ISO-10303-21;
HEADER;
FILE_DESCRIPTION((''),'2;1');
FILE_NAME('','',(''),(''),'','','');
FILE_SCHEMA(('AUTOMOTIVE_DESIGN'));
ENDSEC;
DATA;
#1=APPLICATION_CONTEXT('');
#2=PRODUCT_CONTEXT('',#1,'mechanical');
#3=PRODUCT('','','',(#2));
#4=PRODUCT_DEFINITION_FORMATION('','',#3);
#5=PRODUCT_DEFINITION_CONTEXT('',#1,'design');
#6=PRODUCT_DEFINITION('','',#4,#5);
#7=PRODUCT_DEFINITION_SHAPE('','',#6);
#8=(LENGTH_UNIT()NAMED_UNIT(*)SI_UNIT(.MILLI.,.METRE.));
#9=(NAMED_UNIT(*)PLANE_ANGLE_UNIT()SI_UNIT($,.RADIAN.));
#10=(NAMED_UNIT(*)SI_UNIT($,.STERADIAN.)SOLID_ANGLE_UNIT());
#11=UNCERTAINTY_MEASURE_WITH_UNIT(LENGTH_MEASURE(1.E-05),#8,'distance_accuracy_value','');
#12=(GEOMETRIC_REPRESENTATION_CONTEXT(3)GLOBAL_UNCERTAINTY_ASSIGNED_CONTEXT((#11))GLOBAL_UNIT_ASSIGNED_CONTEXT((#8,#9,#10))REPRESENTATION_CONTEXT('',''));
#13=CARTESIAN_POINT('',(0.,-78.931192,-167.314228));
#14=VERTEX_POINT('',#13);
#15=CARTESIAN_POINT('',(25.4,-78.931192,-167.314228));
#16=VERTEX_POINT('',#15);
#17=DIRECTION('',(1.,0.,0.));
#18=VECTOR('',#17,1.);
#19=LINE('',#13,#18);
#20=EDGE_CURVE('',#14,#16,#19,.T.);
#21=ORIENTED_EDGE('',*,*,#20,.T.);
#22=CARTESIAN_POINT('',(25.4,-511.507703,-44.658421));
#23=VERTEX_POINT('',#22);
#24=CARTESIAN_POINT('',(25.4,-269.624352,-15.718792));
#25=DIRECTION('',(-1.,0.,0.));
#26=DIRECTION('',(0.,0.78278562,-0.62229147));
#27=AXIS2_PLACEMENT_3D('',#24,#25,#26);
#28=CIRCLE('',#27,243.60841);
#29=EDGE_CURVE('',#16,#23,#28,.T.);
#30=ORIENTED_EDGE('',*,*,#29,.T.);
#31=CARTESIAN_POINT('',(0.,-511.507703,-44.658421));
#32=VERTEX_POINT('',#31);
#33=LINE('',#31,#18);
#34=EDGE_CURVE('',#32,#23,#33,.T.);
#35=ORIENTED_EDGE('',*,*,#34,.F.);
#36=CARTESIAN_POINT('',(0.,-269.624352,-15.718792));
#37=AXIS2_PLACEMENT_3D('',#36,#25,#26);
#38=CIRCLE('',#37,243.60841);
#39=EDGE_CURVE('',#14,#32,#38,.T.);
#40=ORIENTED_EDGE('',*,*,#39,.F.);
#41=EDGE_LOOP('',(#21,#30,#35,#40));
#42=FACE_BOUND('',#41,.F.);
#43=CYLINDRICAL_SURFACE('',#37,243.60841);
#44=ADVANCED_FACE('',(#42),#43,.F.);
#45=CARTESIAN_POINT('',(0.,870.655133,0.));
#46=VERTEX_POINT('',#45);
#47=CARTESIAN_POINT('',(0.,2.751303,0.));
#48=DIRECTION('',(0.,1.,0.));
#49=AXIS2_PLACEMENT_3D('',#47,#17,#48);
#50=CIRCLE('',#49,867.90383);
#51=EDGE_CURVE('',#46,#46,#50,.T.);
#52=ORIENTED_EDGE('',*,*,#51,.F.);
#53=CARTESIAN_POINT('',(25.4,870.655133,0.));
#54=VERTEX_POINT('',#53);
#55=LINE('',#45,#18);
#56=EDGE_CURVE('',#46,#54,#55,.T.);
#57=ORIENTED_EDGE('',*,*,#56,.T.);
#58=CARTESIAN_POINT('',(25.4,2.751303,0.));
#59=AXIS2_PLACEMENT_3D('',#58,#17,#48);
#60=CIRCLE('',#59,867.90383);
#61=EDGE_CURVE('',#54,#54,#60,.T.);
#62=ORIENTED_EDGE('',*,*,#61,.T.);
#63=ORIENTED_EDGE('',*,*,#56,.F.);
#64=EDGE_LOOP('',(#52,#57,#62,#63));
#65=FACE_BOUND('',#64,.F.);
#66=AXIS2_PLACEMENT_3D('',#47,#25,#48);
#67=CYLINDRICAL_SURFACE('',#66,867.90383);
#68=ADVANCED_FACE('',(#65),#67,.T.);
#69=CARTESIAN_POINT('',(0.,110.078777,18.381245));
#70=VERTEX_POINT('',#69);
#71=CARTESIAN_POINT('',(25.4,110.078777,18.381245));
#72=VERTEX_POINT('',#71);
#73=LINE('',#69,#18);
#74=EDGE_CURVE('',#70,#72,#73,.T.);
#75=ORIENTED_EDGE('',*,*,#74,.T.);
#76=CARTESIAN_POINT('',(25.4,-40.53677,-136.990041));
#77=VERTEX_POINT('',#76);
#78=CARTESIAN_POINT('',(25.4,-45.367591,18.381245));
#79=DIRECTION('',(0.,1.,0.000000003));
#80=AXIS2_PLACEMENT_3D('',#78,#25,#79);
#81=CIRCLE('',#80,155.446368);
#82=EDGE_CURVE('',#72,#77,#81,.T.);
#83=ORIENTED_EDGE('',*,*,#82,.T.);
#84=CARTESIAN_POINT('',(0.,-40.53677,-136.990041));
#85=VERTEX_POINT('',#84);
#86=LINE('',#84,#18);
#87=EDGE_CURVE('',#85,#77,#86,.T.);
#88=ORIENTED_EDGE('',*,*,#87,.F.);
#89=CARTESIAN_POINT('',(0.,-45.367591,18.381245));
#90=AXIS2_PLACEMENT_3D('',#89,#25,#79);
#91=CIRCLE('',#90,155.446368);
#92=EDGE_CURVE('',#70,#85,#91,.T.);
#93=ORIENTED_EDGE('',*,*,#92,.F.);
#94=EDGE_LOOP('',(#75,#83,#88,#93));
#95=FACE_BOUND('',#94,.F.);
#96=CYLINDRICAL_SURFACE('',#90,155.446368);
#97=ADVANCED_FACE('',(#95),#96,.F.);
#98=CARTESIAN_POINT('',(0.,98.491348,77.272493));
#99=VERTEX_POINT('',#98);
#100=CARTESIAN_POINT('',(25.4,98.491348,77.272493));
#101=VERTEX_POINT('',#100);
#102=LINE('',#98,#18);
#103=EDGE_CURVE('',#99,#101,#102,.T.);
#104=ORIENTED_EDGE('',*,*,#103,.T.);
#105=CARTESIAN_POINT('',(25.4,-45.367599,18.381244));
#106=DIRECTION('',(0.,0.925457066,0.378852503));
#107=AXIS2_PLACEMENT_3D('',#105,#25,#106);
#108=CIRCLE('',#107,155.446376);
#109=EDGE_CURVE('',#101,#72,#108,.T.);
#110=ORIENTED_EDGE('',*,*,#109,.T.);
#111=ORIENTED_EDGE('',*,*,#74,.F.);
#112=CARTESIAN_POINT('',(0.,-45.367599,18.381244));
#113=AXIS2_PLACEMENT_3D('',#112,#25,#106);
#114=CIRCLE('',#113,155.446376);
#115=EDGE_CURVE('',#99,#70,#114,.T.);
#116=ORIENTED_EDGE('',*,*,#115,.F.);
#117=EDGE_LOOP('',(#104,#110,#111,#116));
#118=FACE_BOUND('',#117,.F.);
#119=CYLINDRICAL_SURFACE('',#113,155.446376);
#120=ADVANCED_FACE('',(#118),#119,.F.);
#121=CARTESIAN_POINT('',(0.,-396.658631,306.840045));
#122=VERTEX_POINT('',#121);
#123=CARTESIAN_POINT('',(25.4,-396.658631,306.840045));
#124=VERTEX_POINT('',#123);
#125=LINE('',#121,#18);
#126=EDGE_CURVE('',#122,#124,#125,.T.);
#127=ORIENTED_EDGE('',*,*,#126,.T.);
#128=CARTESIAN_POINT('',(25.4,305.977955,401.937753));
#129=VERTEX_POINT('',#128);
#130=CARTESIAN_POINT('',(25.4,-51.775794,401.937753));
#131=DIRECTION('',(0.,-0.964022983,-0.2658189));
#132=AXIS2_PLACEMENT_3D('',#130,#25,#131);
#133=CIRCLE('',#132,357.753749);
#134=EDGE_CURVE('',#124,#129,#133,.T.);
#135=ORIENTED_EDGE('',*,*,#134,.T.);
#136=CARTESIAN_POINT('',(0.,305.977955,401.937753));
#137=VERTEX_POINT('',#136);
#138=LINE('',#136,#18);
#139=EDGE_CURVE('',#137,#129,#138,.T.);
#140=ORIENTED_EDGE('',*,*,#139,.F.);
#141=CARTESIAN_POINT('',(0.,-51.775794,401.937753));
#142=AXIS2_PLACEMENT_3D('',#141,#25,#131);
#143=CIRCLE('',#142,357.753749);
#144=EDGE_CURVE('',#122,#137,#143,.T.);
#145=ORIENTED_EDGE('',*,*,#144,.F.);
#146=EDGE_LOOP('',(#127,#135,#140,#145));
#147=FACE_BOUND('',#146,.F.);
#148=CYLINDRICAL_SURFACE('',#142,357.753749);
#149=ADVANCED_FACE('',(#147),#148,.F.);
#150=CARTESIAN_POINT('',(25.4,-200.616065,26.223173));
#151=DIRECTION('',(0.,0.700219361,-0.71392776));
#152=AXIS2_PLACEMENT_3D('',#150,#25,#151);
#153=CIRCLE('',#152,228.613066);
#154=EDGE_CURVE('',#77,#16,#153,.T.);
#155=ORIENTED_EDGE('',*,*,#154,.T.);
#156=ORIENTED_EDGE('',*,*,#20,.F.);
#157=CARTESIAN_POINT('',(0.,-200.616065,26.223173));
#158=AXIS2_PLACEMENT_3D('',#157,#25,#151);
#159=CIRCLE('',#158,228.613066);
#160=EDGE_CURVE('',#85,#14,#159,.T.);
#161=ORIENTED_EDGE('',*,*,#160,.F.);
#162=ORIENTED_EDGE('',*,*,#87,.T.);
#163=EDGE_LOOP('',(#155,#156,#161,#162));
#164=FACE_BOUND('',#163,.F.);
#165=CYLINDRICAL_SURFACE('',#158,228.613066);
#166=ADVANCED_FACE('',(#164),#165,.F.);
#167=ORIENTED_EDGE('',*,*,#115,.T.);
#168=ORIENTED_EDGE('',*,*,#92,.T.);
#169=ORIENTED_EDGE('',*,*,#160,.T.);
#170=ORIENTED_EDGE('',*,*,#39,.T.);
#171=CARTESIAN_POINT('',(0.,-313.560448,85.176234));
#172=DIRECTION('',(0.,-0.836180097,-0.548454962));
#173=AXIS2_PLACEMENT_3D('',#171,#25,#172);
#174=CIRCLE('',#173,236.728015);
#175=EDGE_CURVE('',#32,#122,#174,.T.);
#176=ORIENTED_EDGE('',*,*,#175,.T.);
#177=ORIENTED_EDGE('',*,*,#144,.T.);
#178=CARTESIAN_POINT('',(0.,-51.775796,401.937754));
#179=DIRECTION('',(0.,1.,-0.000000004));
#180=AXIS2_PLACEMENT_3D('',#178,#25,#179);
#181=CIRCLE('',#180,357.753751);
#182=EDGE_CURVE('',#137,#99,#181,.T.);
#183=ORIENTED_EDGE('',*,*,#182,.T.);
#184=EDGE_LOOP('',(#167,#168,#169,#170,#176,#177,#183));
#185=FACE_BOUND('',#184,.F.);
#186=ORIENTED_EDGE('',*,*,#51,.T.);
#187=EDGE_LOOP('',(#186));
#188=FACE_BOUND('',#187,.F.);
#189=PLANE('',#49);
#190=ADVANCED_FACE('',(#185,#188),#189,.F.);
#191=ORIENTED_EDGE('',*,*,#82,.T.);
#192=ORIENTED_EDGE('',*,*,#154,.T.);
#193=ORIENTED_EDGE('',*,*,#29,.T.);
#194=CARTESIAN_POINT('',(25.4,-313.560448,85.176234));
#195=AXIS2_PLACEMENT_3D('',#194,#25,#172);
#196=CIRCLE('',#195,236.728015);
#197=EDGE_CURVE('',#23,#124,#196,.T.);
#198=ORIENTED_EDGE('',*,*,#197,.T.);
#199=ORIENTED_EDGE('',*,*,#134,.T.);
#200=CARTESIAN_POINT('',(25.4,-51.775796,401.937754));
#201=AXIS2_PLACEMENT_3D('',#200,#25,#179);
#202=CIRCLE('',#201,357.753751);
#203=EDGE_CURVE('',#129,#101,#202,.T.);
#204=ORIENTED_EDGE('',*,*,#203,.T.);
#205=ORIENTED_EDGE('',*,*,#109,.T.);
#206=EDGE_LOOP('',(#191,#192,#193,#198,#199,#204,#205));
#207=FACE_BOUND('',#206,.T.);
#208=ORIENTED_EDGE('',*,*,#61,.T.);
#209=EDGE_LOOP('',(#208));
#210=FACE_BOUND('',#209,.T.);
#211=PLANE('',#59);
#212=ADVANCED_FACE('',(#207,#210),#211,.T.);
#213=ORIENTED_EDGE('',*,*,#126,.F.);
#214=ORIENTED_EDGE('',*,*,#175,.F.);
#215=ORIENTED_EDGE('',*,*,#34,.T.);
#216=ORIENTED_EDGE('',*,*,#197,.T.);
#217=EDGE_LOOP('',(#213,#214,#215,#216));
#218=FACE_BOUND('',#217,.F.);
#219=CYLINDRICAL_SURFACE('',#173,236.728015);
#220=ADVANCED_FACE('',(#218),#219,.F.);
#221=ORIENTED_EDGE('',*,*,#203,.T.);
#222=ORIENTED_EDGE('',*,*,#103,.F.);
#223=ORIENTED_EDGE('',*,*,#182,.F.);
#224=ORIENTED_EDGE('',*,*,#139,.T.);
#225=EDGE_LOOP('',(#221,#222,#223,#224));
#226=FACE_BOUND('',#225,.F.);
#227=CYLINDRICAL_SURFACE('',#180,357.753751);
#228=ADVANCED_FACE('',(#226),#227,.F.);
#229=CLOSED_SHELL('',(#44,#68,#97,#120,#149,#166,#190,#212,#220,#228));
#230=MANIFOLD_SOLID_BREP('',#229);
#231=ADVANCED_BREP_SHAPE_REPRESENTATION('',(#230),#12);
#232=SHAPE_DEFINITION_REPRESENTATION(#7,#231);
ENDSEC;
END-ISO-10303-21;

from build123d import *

# Parameters (mm, degrees)
F0_R     = 867.90383
F1_DEPTH = 25.4


with BuildPart() as f1:
    # F0 (on Right) → F1 (new body)
    with BuildSketch(Plane.YZ):
        with Locations((2.751303, 0)):
            Circle(F0_R)
        with BuildLine():
            ThreePointArc((-40.53677, -136.990041), (-58.920438, -153.182187), (-78.931192, -167.314228))
            ThreePointArc((-78.931192, -167.314228), (-336.079003, -250.087811), (-511.507703, -44.658421))
            ThreePointArc((-511.507703, -44.658421), (-538.581397, 158.699875), (-396.658631, 306.840045))
            ThreePointArc((-396.658631, 306.840045), (-99.758173, 756.459172), (305.977955, 401.937753))
            ThreePointArc((305.977955, 401.937753), (249.676008, 209.286369), (98.491348, 77.272493))
            ThreePointArc((98.491348, 77.272493), (107.154412, 48.391442), (110.078777, 18.381245))
            ThreePointArc((110.078777, 18.381245), (66.244476, -89.814503), (-40.53677, -136.990041))
        make_face(mode=Mode.SUBTRACT)
    extrude(amount=F1_DEPTH)


solid = f1.part
